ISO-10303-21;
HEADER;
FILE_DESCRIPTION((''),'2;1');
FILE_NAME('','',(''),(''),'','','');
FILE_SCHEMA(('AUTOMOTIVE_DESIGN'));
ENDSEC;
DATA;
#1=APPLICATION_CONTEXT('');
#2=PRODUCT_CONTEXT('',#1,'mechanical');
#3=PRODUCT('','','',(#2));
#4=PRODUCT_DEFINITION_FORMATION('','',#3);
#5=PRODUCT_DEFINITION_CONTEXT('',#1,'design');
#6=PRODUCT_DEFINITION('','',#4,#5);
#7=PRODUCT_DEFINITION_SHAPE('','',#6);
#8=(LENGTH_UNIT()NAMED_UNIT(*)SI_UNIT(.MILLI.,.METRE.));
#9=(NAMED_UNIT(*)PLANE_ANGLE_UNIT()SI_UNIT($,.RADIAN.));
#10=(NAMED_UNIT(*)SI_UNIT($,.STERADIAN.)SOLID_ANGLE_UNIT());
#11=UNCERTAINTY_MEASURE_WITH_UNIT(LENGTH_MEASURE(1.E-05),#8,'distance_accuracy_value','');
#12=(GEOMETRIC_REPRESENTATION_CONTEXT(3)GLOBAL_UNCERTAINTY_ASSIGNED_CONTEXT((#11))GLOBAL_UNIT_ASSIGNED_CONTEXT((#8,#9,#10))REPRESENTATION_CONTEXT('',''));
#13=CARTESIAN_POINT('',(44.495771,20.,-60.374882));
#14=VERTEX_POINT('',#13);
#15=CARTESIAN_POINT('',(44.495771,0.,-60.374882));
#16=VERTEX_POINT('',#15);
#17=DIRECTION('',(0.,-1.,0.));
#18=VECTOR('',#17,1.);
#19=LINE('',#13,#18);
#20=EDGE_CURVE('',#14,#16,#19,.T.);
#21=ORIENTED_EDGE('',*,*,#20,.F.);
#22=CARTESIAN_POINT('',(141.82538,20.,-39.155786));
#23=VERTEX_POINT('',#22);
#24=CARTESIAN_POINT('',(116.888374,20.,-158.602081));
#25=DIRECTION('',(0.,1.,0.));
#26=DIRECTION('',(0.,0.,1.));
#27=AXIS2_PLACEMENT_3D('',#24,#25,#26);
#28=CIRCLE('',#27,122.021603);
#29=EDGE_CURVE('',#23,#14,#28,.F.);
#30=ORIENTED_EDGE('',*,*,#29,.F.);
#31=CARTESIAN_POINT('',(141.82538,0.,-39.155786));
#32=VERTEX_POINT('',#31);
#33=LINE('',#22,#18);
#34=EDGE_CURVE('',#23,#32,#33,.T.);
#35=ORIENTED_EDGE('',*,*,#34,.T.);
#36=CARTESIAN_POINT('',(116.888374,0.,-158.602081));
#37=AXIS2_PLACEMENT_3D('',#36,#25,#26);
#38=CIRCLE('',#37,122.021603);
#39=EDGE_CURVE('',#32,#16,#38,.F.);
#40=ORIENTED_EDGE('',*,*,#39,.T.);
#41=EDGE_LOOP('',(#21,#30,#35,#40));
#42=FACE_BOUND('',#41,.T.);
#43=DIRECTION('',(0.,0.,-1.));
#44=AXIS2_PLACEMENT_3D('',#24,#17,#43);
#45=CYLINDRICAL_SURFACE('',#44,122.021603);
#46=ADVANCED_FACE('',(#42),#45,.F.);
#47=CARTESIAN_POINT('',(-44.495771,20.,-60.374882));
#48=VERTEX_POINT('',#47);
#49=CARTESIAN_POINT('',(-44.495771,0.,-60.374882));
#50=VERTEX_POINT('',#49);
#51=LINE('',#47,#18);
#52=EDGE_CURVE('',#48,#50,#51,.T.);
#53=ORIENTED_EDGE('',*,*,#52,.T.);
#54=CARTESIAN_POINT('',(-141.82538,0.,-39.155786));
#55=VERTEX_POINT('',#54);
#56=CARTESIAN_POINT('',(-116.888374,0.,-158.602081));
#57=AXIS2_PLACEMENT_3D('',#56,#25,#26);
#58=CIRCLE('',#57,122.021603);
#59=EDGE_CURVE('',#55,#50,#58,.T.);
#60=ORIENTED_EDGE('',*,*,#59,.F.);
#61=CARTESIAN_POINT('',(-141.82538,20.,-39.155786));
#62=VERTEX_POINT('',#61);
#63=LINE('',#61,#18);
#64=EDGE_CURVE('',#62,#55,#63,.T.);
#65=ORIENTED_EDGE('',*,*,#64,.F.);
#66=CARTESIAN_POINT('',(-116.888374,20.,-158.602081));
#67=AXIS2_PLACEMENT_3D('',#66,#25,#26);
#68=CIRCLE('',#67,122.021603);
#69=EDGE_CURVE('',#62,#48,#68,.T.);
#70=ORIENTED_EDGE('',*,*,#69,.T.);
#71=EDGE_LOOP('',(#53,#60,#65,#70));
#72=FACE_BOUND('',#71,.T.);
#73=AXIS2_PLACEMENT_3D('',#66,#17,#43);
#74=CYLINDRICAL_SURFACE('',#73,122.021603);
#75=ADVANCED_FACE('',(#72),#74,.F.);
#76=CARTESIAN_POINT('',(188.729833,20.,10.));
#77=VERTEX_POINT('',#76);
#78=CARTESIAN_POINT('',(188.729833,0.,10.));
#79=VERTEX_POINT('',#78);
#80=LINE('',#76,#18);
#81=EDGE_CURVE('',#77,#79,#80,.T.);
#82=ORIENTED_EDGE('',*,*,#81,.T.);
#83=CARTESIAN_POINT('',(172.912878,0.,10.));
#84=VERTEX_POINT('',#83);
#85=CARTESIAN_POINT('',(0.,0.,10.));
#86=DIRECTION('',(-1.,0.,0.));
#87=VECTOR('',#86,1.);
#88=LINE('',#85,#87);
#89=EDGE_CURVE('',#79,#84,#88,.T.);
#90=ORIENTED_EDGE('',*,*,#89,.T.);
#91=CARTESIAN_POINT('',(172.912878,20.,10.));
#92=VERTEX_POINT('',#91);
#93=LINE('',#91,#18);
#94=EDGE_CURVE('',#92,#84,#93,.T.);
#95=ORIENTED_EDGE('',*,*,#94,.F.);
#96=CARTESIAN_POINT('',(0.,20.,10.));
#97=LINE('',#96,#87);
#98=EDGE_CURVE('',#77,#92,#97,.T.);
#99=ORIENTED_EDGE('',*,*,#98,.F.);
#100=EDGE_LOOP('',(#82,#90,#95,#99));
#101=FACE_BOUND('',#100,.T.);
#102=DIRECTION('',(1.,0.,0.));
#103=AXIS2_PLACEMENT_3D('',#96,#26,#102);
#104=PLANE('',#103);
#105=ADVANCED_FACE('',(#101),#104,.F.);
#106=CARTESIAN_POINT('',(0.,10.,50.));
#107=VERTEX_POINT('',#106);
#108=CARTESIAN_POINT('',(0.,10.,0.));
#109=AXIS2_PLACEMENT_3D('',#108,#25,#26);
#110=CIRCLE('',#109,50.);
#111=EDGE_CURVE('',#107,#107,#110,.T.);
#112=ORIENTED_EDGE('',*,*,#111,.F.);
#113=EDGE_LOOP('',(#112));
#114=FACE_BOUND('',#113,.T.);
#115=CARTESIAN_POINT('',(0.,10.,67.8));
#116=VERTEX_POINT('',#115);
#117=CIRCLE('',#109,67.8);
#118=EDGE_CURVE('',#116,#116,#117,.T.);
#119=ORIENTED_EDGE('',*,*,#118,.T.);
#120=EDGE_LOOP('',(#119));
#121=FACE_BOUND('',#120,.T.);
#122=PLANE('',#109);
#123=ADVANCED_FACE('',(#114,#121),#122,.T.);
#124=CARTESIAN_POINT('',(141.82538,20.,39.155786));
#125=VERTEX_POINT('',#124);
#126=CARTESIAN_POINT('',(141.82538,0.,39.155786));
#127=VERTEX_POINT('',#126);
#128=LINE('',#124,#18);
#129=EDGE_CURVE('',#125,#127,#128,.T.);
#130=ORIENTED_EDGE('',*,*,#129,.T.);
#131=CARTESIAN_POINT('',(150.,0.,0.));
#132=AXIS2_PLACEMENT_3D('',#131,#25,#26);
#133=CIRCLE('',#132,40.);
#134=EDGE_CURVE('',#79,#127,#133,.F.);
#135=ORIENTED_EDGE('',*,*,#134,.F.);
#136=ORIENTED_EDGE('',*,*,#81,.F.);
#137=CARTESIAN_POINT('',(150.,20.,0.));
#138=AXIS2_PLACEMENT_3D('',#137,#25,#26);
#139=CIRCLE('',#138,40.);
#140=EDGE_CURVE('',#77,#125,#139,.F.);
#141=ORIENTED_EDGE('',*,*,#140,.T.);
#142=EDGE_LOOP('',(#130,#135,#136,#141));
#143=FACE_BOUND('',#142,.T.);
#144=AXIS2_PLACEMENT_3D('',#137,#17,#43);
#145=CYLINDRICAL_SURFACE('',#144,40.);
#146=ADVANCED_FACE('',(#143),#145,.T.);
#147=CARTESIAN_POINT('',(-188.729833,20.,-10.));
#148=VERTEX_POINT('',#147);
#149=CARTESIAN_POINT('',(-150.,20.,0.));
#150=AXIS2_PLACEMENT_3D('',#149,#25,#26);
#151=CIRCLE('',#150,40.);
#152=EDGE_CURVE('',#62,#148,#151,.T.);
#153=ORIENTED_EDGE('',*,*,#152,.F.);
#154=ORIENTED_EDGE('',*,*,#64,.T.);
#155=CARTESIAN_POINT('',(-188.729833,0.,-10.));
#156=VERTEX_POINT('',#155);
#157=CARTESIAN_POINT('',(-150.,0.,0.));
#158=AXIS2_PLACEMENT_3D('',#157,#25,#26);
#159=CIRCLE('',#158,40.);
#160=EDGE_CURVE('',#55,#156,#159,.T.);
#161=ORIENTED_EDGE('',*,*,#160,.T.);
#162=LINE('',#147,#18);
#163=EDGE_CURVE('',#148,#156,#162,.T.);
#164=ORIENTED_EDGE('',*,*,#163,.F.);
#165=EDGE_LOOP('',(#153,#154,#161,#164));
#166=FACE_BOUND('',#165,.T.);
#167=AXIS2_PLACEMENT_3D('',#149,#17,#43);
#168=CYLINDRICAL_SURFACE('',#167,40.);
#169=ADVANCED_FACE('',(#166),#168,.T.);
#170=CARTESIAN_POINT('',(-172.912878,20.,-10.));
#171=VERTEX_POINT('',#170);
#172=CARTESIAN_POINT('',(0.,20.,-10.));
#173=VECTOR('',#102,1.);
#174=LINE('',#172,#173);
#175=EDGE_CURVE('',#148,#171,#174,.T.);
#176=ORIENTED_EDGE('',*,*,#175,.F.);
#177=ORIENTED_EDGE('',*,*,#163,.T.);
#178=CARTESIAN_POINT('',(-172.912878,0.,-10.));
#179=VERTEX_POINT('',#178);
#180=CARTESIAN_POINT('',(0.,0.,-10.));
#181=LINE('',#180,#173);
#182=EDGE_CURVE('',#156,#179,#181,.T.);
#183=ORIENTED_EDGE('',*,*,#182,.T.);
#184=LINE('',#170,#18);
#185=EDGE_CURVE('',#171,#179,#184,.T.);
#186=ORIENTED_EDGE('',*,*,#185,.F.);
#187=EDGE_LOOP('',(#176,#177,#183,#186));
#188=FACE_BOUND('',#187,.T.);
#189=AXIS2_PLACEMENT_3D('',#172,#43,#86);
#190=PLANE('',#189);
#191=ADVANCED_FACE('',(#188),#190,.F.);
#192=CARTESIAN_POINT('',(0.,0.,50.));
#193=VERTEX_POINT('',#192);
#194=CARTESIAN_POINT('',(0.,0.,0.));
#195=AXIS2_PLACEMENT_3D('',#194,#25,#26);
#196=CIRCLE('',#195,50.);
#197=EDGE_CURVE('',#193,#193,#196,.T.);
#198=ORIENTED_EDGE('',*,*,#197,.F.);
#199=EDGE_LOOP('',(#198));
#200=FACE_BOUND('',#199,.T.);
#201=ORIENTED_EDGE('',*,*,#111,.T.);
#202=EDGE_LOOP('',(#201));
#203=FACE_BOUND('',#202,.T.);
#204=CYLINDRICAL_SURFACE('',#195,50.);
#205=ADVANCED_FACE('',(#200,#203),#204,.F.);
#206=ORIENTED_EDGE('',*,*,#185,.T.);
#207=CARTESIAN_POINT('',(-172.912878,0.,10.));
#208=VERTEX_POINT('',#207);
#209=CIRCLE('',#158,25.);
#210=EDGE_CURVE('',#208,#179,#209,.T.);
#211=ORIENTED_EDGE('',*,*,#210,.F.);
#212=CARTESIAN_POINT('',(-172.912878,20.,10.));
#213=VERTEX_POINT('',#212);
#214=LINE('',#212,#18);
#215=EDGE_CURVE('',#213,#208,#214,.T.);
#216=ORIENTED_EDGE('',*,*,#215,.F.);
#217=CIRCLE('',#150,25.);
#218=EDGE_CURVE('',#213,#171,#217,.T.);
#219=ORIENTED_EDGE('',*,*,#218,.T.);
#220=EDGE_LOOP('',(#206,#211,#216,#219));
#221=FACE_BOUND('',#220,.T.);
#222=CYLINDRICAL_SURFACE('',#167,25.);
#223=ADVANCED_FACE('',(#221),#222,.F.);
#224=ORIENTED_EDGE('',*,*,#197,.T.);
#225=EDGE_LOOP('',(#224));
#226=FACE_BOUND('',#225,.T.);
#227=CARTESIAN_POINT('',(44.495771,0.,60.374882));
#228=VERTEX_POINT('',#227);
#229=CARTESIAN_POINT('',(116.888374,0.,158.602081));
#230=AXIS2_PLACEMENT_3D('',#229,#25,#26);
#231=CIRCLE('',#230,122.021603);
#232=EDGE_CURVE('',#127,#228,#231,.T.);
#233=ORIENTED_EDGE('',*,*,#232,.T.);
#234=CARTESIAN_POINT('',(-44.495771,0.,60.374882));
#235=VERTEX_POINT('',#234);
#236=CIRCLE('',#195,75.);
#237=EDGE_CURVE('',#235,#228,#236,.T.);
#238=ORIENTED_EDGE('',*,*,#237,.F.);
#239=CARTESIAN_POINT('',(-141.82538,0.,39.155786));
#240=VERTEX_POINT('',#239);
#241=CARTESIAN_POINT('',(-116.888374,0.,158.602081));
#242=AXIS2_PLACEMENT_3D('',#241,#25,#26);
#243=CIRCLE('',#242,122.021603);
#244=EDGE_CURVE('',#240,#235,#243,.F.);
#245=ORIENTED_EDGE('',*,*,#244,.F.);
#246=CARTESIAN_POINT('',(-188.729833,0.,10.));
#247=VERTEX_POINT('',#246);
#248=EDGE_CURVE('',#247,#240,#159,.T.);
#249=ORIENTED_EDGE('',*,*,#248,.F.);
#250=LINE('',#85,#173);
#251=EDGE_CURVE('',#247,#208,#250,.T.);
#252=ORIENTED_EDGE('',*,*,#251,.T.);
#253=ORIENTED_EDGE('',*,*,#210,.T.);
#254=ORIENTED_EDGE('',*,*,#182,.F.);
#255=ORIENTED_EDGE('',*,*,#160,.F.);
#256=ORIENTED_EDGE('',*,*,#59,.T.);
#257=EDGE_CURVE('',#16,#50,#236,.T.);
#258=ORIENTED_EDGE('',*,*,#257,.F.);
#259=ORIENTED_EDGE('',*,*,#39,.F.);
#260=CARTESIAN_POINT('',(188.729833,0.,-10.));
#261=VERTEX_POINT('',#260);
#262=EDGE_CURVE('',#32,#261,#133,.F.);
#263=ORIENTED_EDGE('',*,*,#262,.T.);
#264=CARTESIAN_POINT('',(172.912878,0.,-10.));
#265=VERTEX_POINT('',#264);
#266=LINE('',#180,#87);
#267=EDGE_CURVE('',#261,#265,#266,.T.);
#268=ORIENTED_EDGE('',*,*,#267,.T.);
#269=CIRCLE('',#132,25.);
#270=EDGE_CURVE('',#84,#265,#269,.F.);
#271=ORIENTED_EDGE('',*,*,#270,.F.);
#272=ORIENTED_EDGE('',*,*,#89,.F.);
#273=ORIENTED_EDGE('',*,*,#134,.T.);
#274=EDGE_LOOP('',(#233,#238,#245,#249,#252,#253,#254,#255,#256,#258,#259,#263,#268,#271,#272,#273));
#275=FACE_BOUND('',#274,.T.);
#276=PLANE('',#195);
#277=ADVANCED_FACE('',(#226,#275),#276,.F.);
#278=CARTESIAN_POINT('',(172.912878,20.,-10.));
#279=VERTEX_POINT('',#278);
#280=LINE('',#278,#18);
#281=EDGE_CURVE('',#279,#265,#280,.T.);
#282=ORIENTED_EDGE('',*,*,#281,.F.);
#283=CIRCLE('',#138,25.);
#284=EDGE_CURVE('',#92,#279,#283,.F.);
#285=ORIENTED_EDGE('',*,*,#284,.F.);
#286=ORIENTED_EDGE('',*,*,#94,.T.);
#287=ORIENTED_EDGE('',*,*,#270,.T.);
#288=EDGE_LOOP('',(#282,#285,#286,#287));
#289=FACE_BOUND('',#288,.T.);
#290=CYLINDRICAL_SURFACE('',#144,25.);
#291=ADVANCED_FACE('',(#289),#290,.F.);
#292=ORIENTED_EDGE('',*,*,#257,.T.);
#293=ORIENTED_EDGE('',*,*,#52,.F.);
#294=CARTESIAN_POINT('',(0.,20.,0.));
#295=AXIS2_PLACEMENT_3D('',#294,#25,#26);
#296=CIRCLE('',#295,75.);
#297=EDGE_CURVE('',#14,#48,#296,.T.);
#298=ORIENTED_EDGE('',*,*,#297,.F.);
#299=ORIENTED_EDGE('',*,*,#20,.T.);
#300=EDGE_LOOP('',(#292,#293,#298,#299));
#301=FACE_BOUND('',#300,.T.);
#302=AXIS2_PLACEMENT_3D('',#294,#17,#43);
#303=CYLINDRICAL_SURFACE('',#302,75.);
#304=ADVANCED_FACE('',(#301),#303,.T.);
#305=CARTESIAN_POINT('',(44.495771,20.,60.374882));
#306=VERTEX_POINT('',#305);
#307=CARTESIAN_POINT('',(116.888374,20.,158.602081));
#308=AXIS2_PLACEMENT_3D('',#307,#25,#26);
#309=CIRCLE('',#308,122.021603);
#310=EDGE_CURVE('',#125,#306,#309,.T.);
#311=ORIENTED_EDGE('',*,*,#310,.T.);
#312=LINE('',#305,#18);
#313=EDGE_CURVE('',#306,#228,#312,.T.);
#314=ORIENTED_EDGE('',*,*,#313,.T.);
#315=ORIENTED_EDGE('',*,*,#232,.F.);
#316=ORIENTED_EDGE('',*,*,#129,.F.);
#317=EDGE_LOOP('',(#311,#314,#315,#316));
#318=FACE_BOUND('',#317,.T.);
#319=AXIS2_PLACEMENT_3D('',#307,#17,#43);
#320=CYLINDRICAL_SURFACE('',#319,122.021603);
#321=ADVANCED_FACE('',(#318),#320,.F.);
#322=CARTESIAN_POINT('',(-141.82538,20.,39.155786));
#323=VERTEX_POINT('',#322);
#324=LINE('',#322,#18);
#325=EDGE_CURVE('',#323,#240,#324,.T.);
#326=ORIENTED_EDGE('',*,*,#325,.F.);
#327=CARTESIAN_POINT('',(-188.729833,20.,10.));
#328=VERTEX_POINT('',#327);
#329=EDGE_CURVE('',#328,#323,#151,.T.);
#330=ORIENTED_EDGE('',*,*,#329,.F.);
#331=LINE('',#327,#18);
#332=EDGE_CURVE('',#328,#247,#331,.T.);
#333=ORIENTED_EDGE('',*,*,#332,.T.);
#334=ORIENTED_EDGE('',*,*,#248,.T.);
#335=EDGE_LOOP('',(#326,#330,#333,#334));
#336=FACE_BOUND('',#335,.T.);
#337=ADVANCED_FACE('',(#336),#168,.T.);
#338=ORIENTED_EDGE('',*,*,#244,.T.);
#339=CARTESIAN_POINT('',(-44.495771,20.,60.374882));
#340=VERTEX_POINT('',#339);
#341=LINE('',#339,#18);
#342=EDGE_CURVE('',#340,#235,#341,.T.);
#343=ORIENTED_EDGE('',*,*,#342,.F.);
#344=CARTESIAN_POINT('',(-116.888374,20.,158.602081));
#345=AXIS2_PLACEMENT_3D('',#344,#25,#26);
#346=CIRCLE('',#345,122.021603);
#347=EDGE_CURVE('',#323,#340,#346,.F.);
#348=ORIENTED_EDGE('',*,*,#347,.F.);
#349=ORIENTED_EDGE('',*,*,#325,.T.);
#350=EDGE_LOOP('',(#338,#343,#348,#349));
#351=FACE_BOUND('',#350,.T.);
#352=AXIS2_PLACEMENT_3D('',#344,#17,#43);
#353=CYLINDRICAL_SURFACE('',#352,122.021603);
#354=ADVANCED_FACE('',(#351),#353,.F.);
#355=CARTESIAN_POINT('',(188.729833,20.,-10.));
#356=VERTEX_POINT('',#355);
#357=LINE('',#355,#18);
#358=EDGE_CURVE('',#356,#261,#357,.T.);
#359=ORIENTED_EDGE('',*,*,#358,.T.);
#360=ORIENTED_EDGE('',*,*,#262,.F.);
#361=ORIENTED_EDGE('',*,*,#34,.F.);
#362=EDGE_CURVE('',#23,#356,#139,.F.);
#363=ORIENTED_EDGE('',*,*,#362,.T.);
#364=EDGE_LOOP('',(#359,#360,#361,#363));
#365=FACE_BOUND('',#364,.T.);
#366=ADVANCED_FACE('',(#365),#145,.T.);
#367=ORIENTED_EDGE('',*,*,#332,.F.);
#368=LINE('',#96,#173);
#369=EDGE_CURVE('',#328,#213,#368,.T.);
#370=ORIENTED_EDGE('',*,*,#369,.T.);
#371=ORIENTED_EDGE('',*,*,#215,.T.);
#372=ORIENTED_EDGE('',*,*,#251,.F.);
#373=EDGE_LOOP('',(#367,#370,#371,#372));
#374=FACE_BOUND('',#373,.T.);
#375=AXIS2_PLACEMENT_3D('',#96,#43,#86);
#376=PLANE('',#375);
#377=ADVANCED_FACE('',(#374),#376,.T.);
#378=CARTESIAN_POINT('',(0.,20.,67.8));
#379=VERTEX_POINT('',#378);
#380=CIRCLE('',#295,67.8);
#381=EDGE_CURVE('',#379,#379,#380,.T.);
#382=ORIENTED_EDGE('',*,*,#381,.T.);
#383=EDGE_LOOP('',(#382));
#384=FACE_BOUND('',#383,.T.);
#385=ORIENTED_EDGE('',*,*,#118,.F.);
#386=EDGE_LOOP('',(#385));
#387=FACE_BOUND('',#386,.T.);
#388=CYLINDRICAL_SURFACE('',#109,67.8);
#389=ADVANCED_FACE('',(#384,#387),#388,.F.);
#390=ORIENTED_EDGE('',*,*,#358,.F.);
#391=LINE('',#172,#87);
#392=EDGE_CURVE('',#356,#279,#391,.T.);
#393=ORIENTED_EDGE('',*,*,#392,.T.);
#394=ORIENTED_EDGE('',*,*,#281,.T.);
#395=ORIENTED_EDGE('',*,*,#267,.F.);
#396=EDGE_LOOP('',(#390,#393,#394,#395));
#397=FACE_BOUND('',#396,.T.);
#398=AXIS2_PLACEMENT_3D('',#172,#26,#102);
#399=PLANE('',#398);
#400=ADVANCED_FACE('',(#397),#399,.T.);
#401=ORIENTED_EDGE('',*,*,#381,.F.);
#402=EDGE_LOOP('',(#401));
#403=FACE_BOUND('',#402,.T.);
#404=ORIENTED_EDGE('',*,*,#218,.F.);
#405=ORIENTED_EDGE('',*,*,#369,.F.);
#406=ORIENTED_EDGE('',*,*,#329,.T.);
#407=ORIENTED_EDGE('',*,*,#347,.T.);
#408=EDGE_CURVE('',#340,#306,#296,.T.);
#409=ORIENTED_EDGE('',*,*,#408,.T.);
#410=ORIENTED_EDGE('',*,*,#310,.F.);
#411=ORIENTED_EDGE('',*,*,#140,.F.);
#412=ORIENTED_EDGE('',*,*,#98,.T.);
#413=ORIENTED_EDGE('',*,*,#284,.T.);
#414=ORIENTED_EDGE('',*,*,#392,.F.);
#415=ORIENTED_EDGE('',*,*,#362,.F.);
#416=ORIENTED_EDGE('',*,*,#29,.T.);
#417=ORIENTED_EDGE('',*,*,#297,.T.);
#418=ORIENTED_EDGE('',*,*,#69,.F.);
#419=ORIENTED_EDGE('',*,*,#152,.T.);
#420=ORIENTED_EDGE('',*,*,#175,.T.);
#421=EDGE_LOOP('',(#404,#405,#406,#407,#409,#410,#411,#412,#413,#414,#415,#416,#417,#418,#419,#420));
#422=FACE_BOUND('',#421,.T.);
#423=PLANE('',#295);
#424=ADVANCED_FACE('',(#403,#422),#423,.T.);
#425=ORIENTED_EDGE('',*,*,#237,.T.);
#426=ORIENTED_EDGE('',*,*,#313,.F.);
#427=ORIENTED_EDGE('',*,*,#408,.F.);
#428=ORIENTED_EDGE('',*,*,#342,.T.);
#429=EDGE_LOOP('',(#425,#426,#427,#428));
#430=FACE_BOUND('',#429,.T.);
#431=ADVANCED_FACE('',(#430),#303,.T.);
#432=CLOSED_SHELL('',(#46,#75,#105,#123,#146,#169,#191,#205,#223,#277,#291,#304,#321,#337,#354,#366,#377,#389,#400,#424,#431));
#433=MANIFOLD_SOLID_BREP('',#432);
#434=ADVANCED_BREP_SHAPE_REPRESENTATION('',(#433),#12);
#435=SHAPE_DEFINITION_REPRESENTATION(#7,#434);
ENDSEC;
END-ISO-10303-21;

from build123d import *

# Parameters (mm, degrees)
Y_KSEKLIK_EKSTR_ZYON4_DEPTH = 20
IZIM5_R                     = 67.8
IZIM5_R_2                   = 50
KES_EKSTR_ZYON1_DEPTH       = 10
IZIM7_R                     = 50
KES_EKSTR_ZYON2_DEPTH       = 20


with BuildPart() as part:
    # Çizim1 → Yükseklik-Ekstrüzyon4 (new body)
    with BuildSketch(Plane(origin=(0, 0, 0), x_dir=(1, 0, 0), z_dir=(0, 1, 0))):
        with BuildLine():
            ThreePointArc((-141.825379968, 39.155786128), (-171.116823462, 33.971749541), (-188.729833462, 10))
            Line((-188.729833462, 10), (-172.912878475, 10))
            ThreePointArc((-172.912878475, 10), (-125, 0), (-172.912878475, -10))
            Line((-172.912878475, -10), (-188.729833462, -10))
            ThreePointArc((-188.729833462, -10), (-171.116823462, -33.971749541), (-141.825379968, -39.155786128))
            ThreePointArc((-141.825379968, -39.155786128), (-90.896626459, -39.380855183), (-44.495770634, -60.374882159))
            ThreePointArc((-44.495770634, -60.374882159), (0, -75), (44.495770634, -60.374882159))
            ThreePointArc((44.495770634, -60.374882159), (90.896626459, -39.380855183), (141.825379968, -39.155786128))
            ThreePointArc((141.825379968, -39.155786128), (171.116823462, -33.971749541), (188.729833462, -10))
            Line((188.729833462, -10), (172.912878475, -10))
            ThreePointArc((172.912878475, -10), (125, 0), (172.912878475, 10))
            Line((172.912878475, 10), (188.729833462, 10))
            ThreePointArc((188.729833462, 10), (171.116823462, 33.971749541), (141.825379968, 39.155786128))
            ThreePointArc((141.825379968, 39.155786128), (90.896626459, 39.380855183), (44.495770634, 60.374882159))
            ThreePointArc((44.495770634, 60.374882159), (0, 75), (-44.495770634, 60.374882159))
            ThreePointArc((-44.495770634, 60.374882159), (-90.896626459, 39.380855183), (-141.825379968, 39.155786128))
        make_face()
    extrude(amount=Y_KSEKLIK_EKSTR_ZYON4_DEPTH)

    # Çizim5 → Kes-Ekstrüzyon1 (cut)
    with BuildSketch(Plane(origin=(0, 20, 0), x_dir=(1, 0, 0), z_dir=(0, 1, 0))):
        with Locations(Location((0, 0, 0), (0, 0, 270))):
            Circle(IZIM5_R)
        with Locations(Location((0, 0, 0), (0, 0, 270))):
            Circle(IZIM5_R_2, mode=Mode.SUBTRACT)
    extrude(amount=-KES_EKSTR_ZYON1_DEPTH, mode=Mode.SUBTRACT)

    # Çizim7 → Kes-Ekstrüzyon2 (cut)
    with BuildSketch(Plane(origin=(0, 20, 0), x_dir=(1, 0, 0), z_dir=(0, 1, 0))):
        with Locations(Location((0, 0, 0), (0, 0, 270))):
            Circle(IZIM7_R)
    extrude(amount=-KES_EKSTR_ZYON2_DEPTH, mode=Mode.SUBTRACT)


solid = part.part
